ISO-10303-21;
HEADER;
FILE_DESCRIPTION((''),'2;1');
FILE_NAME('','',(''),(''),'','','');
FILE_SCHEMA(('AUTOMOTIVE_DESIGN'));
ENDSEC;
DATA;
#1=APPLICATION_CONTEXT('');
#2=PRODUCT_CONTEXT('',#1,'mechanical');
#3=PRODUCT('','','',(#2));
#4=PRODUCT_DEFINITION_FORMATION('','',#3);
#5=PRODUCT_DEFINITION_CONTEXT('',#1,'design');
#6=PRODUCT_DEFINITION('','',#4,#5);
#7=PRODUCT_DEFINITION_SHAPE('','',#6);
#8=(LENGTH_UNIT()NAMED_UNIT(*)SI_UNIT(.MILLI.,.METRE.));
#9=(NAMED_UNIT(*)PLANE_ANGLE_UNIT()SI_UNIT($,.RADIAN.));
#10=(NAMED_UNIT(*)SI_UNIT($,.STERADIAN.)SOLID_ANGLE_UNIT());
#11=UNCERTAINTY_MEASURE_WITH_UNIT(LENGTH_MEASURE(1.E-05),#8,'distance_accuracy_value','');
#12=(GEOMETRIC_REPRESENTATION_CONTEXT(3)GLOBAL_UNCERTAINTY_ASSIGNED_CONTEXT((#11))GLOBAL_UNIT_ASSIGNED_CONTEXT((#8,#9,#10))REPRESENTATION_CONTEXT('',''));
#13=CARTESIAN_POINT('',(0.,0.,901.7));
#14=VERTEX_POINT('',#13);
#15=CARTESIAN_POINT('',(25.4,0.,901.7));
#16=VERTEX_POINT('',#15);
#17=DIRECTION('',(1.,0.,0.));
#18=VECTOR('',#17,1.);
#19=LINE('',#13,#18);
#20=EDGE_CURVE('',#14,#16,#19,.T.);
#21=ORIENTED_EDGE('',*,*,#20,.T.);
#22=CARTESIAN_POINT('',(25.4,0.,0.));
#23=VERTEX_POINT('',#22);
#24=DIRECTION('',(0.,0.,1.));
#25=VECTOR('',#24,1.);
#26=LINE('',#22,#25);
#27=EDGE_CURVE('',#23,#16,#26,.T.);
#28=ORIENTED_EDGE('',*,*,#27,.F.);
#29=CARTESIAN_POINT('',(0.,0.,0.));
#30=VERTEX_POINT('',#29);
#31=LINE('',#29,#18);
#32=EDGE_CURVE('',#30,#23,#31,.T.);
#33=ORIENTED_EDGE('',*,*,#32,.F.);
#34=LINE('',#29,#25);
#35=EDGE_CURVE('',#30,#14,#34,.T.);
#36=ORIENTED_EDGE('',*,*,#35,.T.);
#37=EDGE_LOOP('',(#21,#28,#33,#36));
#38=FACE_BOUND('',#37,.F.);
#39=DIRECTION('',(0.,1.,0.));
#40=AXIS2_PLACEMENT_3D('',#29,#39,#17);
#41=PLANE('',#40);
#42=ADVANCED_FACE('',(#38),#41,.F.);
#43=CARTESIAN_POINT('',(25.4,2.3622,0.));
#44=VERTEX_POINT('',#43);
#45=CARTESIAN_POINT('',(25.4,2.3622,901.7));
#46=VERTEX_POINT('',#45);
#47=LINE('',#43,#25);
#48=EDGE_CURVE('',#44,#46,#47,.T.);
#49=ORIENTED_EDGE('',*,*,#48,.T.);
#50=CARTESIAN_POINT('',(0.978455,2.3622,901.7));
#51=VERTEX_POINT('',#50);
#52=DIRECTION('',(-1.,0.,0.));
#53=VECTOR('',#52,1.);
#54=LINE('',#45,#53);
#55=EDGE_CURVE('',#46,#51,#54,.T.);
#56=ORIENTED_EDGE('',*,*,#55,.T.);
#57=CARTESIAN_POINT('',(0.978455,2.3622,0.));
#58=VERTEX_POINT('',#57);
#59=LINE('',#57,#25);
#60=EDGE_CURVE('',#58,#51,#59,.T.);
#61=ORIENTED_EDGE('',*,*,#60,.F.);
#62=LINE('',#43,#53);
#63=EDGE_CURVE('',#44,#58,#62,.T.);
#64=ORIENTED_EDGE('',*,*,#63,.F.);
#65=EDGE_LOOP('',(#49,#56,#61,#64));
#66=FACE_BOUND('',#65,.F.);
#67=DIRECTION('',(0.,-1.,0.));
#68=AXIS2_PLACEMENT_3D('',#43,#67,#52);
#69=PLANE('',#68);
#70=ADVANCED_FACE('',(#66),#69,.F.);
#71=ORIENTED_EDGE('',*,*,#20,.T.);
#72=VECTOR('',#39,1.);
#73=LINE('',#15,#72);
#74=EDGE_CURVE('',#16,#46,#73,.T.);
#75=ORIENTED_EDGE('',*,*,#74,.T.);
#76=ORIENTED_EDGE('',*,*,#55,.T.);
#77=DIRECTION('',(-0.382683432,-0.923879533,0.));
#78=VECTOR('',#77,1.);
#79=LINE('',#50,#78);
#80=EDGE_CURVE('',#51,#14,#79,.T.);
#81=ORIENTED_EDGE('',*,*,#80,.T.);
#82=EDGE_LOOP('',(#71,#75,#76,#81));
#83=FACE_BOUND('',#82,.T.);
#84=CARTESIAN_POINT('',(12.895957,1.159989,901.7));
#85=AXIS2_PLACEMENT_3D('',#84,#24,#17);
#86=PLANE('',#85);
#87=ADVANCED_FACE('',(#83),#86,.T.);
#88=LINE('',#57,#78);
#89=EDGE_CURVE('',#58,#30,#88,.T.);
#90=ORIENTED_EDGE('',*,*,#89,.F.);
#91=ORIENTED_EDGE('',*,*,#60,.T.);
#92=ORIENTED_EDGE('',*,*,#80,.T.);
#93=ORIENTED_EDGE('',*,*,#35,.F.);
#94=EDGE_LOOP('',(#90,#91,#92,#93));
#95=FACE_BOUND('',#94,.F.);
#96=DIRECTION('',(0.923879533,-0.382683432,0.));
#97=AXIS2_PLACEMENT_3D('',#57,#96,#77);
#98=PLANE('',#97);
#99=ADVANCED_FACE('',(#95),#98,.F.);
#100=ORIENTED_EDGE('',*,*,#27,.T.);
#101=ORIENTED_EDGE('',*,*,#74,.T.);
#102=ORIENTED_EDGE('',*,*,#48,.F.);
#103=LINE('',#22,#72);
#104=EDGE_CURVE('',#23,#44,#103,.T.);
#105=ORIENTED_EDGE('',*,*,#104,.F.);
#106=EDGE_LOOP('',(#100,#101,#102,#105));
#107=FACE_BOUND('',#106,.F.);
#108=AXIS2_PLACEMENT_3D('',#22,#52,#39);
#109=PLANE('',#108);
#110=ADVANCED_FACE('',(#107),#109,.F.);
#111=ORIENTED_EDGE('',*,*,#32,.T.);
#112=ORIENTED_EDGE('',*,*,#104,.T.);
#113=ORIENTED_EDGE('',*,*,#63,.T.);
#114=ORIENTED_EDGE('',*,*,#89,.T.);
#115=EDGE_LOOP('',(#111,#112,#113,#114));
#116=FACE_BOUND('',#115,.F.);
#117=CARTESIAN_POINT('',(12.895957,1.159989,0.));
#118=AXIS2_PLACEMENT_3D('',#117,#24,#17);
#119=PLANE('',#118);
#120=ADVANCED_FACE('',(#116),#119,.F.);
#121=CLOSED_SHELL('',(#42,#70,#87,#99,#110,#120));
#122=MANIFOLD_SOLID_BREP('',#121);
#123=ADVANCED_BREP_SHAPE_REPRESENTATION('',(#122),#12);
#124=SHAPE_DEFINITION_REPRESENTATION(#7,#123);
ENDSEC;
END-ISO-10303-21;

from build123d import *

# Parameters (mm, degrees)
BOSS_EXTRUDE1_DEPTH = 901.7


with BuildPart() as part:
    # Sketch1 → Boss-Extrude1 (new body)
    with BuildSketch(Plane.XY):
        Polygon((0, 0), (25.4, 0), (25.4, 2.3622), (0.978455277, 2.3622), align=None)
    extrude(amount=BOSS_EXTRUDE1_DEPTH)


solid = part.part
